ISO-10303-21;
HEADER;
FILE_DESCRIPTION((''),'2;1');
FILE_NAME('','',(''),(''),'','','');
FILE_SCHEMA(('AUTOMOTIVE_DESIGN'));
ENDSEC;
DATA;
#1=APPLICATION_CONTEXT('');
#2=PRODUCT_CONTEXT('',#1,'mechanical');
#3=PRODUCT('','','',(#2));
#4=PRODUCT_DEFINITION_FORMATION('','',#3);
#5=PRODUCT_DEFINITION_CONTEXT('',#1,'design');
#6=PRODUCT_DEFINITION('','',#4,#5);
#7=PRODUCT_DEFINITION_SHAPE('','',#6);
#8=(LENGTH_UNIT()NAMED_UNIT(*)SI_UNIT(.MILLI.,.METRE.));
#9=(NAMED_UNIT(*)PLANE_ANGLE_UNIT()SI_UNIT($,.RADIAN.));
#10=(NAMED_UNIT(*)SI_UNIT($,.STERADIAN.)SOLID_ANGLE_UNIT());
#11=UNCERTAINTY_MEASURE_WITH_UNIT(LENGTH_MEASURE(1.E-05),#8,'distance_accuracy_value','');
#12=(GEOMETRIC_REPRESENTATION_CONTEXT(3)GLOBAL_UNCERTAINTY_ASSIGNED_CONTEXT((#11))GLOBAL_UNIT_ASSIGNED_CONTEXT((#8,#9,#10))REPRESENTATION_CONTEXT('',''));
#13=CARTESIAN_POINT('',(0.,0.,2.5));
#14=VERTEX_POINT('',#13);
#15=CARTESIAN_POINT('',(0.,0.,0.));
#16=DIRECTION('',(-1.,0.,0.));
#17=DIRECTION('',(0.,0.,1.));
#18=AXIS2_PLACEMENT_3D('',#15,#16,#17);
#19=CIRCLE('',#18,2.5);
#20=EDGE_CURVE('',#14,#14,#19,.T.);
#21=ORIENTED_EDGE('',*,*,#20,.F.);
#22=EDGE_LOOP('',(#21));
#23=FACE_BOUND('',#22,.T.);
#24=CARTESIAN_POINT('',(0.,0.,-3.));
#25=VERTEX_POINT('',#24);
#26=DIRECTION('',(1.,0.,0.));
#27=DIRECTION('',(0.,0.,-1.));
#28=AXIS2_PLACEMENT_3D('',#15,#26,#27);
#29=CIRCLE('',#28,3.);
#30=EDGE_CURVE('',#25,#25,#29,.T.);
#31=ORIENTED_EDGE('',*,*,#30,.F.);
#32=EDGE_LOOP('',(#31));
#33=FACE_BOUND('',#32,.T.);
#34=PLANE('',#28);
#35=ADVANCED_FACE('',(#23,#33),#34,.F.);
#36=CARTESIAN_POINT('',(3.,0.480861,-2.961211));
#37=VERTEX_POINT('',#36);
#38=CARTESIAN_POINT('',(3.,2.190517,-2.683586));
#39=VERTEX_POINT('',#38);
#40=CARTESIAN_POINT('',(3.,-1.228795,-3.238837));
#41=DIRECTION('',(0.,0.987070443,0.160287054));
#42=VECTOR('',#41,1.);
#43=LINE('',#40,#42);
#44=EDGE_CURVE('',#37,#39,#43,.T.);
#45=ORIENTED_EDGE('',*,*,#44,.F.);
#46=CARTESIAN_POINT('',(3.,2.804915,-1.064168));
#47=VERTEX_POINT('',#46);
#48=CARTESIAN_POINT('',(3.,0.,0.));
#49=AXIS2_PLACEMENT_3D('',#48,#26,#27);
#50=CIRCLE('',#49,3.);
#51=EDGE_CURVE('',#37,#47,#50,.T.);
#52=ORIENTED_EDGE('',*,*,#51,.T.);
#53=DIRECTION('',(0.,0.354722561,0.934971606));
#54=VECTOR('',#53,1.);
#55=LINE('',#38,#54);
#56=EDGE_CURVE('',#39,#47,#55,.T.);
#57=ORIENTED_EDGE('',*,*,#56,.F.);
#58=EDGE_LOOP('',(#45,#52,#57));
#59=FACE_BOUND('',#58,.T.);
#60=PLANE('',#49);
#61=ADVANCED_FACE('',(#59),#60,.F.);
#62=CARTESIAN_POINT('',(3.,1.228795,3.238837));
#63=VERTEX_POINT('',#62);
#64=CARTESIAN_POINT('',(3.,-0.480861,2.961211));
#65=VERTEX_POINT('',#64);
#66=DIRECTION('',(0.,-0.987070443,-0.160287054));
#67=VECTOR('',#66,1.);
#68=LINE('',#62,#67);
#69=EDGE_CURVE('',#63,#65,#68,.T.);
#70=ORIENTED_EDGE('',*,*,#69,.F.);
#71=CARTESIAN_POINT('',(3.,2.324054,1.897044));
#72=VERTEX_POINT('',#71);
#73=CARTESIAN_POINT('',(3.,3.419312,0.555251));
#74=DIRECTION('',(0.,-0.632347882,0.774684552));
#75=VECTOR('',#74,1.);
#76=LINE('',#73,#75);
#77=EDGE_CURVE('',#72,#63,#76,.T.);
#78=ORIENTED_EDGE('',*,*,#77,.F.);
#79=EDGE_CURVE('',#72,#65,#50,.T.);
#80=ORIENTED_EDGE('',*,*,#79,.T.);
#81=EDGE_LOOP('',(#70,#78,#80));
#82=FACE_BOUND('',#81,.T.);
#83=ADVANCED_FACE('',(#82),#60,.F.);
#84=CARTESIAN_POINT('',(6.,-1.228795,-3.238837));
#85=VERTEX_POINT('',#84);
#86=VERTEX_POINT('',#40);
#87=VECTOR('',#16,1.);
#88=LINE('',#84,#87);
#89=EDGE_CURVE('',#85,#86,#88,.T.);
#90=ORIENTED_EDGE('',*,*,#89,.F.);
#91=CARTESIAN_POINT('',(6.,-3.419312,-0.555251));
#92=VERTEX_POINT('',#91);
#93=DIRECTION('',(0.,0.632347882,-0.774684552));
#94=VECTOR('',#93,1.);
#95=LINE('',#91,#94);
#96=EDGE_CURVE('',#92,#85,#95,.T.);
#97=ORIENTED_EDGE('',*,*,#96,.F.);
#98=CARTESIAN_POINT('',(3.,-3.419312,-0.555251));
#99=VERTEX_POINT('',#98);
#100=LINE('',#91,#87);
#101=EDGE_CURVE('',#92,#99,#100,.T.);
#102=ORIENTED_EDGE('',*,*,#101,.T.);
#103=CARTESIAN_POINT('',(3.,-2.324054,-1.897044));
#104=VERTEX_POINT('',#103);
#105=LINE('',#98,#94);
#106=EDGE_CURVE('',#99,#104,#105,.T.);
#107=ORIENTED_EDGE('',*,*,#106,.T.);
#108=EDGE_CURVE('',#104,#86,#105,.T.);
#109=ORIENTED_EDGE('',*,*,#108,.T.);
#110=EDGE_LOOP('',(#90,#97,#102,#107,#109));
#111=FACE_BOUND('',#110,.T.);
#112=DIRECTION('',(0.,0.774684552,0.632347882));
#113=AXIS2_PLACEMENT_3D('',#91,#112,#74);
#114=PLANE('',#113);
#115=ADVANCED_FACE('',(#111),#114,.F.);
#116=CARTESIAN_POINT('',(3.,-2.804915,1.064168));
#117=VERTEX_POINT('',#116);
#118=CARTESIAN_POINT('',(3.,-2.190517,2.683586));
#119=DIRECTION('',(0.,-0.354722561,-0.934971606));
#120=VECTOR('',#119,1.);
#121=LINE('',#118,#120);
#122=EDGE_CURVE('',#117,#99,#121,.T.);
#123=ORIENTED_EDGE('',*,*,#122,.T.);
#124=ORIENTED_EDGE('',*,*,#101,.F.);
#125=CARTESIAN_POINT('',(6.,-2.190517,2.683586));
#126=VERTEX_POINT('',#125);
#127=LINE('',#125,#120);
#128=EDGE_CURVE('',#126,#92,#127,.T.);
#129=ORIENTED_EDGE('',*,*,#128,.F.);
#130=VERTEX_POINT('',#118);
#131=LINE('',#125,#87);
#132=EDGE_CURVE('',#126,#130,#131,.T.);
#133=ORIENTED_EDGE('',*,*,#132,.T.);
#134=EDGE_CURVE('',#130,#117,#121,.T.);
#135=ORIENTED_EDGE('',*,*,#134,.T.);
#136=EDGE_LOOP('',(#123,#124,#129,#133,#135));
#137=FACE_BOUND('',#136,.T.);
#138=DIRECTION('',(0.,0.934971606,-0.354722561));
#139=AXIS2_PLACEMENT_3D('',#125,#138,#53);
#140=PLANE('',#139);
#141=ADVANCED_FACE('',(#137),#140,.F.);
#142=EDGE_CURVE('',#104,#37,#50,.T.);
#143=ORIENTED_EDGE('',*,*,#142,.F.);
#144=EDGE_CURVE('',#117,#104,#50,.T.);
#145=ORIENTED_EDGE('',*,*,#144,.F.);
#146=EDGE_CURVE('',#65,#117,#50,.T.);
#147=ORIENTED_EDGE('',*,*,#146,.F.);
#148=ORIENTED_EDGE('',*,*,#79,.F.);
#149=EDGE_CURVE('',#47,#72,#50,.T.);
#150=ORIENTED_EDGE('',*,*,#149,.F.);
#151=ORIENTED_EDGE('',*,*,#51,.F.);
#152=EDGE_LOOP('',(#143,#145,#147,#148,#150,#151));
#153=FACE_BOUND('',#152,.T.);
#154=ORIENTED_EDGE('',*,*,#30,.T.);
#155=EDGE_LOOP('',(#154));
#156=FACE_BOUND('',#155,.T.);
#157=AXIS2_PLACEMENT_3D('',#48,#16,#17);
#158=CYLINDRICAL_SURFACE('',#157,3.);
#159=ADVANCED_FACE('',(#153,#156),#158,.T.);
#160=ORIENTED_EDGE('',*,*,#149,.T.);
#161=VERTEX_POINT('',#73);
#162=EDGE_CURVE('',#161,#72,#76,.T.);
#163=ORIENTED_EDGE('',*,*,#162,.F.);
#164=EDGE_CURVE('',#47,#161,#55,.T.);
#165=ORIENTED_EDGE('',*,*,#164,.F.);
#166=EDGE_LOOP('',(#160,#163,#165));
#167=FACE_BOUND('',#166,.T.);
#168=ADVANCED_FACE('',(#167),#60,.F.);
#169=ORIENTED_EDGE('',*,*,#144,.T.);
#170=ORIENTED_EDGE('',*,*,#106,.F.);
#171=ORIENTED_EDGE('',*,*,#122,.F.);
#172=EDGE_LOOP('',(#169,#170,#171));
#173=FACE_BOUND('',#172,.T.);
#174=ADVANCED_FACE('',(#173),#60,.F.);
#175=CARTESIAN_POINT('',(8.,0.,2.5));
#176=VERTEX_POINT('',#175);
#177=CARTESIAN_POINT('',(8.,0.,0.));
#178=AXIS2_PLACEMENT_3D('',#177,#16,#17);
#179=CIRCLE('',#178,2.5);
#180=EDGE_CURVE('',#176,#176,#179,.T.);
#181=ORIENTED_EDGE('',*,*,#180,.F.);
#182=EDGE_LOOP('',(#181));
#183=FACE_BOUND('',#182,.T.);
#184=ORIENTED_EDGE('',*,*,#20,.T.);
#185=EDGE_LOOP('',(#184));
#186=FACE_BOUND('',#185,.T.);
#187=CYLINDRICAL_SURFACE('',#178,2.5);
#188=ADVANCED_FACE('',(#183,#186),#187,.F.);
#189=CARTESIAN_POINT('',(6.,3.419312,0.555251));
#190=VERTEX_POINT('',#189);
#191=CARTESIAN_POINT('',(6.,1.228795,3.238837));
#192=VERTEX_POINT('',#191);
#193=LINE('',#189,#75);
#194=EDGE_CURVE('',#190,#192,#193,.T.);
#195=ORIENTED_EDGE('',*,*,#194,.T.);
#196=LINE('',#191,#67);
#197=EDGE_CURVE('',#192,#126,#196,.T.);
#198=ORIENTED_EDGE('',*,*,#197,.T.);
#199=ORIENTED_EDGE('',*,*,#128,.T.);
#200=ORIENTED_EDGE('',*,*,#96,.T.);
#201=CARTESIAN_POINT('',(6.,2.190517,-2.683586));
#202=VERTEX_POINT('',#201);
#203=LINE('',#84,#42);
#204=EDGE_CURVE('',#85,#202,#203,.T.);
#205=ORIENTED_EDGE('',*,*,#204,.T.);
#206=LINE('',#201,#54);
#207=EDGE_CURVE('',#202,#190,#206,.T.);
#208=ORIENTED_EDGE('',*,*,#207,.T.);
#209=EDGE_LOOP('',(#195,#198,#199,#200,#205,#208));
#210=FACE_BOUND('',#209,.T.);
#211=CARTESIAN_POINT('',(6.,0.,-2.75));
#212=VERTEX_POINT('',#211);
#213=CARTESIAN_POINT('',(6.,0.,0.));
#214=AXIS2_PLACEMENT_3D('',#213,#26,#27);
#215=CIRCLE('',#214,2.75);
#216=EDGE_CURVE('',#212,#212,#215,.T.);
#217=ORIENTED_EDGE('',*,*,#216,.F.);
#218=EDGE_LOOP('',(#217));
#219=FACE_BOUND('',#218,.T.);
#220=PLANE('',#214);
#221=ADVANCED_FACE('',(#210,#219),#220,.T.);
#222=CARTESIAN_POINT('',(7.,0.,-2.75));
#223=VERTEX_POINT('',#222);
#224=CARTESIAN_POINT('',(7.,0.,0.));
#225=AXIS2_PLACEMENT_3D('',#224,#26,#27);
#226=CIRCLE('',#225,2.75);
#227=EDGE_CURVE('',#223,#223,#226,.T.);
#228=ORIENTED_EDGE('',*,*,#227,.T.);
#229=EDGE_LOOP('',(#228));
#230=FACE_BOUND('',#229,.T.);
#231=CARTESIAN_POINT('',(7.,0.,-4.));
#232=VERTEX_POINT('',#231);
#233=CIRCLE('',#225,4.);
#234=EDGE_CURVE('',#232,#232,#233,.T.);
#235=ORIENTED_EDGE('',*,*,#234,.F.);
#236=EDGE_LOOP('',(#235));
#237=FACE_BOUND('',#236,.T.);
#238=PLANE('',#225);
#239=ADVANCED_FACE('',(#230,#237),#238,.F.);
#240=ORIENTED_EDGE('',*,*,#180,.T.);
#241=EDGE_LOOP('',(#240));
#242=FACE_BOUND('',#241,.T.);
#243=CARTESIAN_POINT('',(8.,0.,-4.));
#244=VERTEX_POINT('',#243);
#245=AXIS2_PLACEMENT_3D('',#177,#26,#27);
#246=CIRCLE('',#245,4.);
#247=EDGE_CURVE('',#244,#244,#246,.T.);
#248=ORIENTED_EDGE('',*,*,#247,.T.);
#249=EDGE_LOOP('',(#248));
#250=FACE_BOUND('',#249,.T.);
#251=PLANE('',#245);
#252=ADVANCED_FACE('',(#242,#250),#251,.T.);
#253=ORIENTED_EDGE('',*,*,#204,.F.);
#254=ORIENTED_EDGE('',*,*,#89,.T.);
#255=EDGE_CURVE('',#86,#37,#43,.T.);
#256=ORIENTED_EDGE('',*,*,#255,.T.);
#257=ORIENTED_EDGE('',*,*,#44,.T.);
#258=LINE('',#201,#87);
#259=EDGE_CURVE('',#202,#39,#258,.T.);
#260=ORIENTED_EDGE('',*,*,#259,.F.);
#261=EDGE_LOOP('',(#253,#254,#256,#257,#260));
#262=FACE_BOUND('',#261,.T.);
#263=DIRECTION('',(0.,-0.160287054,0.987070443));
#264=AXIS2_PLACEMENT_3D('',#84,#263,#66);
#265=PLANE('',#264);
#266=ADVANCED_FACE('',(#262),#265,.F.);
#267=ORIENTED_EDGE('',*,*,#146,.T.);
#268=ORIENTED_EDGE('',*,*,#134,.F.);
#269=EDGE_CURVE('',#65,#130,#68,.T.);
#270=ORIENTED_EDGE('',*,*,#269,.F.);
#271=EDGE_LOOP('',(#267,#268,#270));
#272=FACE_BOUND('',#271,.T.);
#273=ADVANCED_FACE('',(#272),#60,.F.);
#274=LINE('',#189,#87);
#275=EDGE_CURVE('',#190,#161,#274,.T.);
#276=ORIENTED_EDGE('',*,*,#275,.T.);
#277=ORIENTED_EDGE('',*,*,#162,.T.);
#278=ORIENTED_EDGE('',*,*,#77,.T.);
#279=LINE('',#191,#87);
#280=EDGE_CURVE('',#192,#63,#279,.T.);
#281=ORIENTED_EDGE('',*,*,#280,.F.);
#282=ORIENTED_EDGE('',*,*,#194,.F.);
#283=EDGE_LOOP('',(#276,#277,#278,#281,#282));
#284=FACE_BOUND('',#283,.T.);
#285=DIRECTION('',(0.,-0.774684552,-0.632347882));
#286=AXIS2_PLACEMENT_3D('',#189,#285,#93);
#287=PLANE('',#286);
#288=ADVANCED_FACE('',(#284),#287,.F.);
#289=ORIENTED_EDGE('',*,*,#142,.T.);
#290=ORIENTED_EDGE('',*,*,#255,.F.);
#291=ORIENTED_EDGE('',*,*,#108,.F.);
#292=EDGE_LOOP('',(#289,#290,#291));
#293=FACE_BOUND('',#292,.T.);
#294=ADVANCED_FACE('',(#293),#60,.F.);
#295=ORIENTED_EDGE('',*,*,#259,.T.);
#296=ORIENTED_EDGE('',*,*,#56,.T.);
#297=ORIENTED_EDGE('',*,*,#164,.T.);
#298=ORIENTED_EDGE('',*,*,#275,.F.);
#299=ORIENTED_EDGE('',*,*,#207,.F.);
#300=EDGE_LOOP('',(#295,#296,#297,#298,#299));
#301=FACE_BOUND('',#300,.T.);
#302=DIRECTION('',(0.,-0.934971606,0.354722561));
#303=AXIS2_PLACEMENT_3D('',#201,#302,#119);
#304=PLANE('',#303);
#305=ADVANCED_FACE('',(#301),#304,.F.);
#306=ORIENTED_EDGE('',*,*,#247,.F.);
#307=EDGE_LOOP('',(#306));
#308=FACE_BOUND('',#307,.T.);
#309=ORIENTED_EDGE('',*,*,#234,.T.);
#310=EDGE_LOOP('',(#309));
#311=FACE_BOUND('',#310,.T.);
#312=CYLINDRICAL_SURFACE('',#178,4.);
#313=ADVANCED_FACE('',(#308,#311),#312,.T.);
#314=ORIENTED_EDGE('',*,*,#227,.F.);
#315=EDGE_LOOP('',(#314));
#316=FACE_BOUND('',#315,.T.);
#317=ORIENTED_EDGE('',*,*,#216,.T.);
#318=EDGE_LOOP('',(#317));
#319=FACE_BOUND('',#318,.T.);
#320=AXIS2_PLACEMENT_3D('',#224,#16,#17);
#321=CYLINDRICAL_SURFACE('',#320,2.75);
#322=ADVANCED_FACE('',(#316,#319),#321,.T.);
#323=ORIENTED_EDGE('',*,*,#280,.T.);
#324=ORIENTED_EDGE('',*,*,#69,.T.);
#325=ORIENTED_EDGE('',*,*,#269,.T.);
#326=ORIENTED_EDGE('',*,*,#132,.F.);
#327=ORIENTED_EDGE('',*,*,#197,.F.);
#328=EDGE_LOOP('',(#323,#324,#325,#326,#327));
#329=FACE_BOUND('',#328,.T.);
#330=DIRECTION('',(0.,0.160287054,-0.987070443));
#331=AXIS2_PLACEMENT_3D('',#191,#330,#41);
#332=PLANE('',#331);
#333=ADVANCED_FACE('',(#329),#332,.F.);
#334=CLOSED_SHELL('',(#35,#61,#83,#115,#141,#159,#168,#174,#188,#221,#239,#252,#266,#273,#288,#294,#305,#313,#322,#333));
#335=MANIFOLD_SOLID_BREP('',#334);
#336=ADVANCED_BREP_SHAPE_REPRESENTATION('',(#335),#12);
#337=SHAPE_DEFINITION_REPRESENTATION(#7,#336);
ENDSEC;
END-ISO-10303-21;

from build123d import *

# Parameters (mm, degrees)
SKETCH_1_R          = 3
EXTRUDE_1_DEPTH     = 3
EXTRUDE_2_DEPTH     = 3
SKETCH_3_R          = 2.75
EXTRUDE_3_DEPTH     = 1
SKETCH_4_R          = 4
EXTRUDE_4_DEPTH     = 1
SKETCH_5_R          = 2.5
CUT_EXTRUDE_1_DEPTH = 10.797958971


with BuildPart() as part:
    # 草图1 → 凸台-拉伸1 (new body)
    with BuildSketch(Plane(origin=(0, 0, 0), x_dir=(0, 0, -1), z_dir=(1, 0, 0))):
        Circle(SKETCH_1_R)
    extrude(amount=EXTRUDE_1_DEPTH)

    # 草图2 → 凸台-拉伸2 (add)
    with BuildSketch(Plane(origin=(3, 0, 0), x_dir=(0, 0, -1), z_dir=(1, 0, 0))):
        Polygon((3.238836652, -1.228794996), (2.683586009, 2.190517321), (-0.555250643, 3.419312317), (-3.238836652, 1.228794996), (-2.683586009, -2.190517321), (0.555250643, -3.419312317), align=None)
    extrude(amount=EXTRUDE_2_DEPTH)

    # 草图3 → 凸台-拉伸3 (add)
    with BuildSketch(Plane(origin=(6, 0, 0), x_dir=(0, 0, -1), z_dir=(1, 0, 0))):
        Circle(SKETCH_3_R)
    extrude(amount=EXTRUDE_3_DEPTH)

    # 草图4 → 凸台-拉伸4 (add)
    with BuildSketch(Plane(origin=(7, 0, 0), x_dir=(0, 0, -1), z_dir=(1, 0, 0))):
        Circle(SKETCH_4_R)
    extrude(amount=EXTRUDE_4_DEPTH)

    # 草图5 → 切除-拉伸1 (cut, through all)
    with BuildSketch(Plane.ZY):
        Circle(SKETCH_5_R)
    extrude(amount=-CUT_EXTRUDE_1_DEPTH, mode=Mode.SUBTRACT)


solid = part.part
